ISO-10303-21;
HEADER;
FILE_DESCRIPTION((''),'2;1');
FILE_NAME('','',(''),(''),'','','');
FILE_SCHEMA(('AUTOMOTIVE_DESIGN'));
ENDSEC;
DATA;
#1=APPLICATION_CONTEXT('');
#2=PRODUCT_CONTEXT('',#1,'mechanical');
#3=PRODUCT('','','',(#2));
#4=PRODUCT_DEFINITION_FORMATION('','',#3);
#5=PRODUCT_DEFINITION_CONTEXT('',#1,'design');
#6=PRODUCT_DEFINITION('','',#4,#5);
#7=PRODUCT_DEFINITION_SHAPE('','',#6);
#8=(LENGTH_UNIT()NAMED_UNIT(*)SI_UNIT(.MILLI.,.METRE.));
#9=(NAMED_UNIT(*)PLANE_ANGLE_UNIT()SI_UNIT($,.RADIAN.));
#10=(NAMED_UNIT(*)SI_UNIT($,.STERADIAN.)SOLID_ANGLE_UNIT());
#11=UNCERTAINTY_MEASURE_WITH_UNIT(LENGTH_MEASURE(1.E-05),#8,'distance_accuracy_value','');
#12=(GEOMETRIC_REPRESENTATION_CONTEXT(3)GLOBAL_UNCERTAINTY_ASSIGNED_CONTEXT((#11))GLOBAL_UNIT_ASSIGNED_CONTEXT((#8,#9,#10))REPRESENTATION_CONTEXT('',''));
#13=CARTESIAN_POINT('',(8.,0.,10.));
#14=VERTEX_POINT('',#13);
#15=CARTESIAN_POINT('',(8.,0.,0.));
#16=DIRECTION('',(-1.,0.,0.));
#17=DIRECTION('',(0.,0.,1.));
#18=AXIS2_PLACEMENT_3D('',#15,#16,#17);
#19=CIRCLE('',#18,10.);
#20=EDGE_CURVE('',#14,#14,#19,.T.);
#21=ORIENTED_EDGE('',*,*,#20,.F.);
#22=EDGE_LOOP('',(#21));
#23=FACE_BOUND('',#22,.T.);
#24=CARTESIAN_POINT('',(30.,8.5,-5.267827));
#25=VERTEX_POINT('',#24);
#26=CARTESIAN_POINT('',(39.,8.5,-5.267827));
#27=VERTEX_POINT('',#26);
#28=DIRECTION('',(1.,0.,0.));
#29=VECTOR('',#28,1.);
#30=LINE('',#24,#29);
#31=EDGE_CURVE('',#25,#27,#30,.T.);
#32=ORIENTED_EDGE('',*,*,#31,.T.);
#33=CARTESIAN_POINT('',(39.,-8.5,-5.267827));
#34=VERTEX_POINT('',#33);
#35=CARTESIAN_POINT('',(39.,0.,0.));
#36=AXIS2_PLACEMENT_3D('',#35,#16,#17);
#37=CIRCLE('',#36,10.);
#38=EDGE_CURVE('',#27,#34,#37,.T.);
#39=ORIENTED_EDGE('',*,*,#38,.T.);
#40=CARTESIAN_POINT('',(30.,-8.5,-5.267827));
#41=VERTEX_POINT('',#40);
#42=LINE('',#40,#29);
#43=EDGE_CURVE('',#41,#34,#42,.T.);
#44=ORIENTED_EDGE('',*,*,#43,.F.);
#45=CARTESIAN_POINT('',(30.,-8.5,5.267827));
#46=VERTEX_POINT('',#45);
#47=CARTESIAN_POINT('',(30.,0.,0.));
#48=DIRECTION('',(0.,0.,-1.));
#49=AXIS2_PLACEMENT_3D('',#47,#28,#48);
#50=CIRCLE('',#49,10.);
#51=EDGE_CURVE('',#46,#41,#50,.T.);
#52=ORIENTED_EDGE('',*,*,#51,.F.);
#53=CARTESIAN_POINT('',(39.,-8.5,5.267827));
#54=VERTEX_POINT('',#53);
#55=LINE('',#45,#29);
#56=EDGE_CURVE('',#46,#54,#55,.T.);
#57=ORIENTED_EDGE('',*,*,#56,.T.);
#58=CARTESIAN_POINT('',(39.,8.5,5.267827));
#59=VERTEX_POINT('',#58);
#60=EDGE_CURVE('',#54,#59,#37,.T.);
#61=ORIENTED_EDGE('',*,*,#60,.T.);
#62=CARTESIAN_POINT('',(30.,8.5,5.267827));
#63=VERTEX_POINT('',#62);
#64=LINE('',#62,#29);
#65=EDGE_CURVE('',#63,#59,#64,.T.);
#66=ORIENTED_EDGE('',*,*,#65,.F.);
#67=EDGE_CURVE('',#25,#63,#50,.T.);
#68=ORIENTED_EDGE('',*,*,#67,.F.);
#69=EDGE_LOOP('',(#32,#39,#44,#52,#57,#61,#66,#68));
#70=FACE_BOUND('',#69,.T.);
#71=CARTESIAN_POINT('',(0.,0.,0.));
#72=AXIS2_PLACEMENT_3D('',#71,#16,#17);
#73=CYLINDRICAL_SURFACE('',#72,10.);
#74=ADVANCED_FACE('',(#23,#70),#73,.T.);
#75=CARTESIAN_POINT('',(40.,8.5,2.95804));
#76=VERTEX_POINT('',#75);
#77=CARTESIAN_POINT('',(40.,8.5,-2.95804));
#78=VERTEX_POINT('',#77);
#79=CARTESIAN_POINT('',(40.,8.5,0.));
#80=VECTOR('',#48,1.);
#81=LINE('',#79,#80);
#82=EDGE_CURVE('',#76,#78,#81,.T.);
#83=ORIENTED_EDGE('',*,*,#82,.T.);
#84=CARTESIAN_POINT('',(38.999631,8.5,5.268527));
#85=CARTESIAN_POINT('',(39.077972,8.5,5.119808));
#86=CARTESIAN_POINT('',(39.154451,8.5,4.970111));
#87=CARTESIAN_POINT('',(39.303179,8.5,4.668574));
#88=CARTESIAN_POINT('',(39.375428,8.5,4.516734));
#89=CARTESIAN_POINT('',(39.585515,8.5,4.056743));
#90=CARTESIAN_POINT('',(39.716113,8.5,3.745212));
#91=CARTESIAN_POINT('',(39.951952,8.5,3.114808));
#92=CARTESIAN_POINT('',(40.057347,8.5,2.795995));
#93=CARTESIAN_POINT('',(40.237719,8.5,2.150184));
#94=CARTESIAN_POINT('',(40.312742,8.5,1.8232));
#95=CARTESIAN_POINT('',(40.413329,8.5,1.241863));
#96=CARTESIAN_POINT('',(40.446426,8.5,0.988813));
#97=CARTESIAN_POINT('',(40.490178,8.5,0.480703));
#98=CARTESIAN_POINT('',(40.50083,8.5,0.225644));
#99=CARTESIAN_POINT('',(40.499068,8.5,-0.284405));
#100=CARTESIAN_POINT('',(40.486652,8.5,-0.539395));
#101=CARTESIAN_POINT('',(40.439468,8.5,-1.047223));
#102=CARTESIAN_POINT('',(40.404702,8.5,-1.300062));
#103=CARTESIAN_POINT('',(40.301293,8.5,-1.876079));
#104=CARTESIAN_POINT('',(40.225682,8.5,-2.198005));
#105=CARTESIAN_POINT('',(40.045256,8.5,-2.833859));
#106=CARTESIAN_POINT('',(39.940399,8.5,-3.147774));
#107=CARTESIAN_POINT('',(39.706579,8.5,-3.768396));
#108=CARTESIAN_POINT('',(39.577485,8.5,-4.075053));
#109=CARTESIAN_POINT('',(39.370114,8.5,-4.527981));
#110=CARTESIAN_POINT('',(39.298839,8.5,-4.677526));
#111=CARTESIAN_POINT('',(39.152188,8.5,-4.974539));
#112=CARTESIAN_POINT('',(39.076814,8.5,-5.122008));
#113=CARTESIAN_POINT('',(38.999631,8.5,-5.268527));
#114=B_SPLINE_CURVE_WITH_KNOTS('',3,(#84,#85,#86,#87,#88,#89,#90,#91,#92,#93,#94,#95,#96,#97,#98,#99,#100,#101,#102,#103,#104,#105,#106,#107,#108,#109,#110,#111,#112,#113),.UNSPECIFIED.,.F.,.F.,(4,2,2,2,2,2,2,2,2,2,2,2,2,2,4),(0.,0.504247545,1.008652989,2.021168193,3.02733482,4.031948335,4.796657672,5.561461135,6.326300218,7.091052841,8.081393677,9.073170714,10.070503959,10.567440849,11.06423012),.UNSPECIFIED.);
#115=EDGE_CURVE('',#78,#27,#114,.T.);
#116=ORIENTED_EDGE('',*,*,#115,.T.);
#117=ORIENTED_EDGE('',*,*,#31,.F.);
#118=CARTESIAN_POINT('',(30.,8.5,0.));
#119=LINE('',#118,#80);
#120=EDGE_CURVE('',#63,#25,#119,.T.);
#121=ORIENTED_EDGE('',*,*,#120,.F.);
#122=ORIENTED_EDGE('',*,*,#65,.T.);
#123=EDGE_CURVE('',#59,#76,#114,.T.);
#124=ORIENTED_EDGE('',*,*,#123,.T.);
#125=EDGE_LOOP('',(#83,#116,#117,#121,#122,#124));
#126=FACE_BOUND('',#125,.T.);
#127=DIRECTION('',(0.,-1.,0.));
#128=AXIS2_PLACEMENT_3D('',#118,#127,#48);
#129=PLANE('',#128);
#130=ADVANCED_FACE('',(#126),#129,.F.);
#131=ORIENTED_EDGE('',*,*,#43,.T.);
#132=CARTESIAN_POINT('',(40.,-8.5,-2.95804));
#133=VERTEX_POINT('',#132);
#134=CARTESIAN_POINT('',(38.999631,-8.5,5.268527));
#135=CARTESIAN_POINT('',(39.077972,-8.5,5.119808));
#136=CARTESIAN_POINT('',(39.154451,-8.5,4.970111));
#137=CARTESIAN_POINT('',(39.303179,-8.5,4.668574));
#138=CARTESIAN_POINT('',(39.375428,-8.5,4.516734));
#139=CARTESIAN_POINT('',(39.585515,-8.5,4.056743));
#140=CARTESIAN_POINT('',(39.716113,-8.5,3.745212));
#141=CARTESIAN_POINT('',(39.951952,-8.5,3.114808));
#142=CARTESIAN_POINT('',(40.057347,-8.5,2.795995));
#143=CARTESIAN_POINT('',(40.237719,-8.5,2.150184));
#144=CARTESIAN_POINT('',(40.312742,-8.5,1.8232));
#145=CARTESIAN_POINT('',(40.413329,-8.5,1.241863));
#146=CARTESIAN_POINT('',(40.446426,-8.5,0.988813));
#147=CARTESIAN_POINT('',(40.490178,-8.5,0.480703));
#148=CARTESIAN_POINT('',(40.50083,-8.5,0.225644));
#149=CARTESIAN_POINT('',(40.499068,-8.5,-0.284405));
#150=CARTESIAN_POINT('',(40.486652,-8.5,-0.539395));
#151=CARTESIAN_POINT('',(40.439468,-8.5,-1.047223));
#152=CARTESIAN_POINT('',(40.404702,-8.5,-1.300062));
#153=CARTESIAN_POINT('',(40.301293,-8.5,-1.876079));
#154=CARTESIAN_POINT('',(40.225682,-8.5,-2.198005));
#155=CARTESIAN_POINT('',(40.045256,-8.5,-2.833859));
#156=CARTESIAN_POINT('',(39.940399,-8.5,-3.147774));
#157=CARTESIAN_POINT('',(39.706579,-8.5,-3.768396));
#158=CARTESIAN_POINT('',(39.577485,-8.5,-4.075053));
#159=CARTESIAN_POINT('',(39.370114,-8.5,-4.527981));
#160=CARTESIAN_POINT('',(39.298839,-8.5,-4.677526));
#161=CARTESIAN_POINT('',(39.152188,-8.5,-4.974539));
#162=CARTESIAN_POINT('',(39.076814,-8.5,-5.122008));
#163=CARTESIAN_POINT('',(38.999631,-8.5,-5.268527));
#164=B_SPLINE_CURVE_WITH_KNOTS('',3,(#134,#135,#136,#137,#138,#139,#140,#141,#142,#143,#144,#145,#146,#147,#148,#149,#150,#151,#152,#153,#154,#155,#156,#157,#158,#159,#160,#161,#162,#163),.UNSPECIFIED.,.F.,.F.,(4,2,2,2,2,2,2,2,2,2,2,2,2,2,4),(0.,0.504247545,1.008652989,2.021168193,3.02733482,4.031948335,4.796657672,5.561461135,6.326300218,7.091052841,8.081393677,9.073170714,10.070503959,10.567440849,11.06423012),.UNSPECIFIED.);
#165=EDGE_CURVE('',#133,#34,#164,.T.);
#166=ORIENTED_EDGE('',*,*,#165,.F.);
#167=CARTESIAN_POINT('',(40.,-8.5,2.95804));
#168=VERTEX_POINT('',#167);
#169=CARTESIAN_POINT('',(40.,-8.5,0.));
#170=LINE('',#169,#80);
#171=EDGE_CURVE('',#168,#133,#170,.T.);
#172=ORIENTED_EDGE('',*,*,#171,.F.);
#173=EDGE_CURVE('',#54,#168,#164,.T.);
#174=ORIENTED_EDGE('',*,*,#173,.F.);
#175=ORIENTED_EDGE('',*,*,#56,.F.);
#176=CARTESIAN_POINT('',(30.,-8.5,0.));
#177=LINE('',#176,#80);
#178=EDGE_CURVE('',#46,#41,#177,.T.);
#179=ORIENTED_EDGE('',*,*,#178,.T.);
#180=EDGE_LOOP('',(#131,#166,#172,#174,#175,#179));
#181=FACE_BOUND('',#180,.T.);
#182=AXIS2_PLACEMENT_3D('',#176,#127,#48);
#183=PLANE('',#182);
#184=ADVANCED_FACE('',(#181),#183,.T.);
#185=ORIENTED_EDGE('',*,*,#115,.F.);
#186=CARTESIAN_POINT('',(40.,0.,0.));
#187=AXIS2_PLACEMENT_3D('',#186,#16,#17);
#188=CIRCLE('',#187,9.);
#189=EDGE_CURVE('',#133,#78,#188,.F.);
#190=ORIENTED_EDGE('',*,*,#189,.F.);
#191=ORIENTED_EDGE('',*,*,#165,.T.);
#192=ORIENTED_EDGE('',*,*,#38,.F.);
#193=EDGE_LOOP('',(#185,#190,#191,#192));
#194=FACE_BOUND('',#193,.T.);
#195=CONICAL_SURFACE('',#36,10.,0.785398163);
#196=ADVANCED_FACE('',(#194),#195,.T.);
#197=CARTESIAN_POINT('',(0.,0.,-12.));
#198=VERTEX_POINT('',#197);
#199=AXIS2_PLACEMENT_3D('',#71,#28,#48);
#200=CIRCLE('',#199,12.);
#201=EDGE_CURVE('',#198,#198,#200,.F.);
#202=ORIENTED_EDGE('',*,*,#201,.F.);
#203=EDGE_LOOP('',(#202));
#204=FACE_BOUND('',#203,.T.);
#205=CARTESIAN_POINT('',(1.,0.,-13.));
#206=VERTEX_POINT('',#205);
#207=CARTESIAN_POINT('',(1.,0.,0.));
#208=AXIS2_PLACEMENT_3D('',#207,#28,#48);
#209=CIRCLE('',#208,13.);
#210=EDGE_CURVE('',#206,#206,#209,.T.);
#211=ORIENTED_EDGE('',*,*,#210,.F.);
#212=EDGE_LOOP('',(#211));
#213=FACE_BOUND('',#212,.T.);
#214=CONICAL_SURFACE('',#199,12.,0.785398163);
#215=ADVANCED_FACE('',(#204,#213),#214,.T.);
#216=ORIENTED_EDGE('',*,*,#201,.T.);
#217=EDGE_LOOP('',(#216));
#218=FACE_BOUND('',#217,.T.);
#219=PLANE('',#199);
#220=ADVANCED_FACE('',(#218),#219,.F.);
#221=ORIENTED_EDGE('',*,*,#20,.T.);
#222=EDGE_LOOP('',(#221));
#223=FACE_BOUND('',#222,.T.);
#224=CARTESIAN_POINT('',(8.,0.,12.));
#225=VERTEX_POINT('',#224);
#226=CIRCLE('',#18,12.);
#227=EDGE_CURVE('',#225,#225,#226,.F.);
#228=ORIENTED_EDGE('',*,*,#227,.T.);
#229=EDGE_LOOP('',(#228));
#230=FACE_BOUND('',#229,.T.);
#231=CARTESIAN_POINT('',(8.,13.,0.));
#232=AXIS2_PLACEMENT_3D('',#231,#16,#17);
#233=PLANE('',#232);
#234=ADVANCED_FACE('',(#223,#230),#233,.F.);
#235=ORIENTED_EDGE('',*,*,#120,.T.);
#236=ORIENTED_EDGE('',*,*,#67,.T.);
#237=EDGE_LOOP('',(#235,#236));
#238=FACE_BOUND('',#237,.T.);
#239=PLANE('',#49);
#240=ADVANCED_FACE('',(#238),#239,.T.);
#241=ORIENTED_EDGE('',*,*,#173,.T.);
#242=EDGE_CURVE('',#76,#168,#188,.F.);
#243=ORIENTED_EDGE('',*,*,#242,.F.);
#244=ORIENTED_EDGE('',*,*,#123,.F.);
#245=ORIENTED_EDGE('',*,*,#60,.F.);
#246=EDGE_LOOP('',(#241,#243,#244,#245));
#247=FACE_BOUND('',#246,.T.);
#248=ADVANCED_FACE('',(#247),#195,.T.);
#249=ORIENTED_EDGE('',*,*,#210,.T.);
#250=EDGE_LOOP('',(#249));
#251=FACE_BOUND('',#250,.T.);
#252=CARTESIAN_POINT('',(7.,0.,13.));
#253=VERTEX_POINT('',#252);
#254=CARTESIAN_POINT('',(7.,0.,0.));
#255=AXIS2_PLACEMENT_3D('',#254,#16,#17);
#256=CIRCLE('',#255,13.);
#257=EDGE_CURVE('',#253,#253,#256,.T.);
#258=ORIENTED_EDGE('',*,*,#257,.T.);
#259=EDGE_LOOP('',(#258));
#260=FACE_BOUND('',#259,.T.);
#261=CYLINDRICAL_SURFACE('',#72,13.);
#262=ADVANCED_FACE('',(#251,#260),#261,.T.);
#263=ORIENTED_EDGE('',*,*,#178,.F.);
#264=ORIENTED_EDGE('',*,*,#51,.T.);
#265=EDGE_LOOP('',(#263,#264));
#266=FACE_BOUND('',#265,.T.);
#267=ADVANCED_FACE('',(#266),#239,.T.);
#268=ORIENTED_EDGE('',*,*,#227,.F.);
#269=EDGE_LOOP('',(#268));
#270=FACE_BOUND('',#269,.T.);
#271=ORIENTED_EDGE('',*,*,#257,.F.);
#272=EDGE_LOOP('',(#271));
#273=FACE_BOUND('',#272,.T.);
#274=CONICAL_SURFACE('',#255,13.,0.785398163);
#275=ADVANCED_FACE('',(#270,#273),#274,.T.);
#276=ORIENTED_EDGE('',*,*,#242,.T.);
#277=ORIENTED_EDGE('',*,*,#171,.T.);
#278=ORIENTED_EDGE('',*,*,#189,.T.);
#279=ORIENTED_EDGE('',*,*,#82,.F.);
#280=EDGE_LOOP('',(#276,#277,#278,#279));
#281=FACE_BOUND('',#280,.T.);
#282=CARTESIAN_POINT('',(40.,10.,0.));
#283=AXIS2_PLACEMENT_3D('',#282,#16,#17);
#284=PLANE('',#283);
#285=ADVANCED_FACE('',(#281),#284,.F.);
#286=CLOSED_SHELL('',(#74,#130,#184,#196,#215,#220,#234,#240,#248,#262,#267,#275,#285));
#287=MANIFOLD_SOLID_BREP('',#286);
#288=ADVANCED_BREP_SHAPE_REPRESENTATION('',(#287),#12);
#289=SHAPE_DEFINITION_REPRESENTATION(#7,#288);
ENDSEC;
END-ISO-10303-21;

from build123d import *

# Parameters (mm, degrees)
CHAMFER1_SIZE      = 1
CUT_EXTRUDE1_DEPTH = 10


with BuildPart() as part:
    # Sketch1 → Revolve1 (revolve)
    with BuildSketch(Plane.XY, mode=Mode.PRIVATE) as revolve1_sk:
        Polygon((0, 0), (0, 13), (8, 13), (8, 10), (40, 10), (40, 0), align=None)
    revolve(revolve1_sk.sketch.rotate(Axis((0, 0, 0), (1, 0, 0)), 90), axis=Axis((0, 0, 0), (1, 0, 0)))

    # Chamfer1
    chamfer1_edges = [part.edges().sort_by_distance(p)[0] for p in [
        (40, 0, -10),
        (8, 0, -13),
        (0, 0, -13),
    ]]
    chamfer(chamfer1_edges, length=CHAMFER1_SIZE)

    # Sketch2 → Cut-Extrude1 (cut)
    with BuildSketch(Plane(origin=(40, 0, 0), x_dir=(0, 0, -1), z_dir=(1, 0, 0))):
        with BuildLine():
            ThreePointArc((5.267826876, 8.5), (0, 10), (-5.267826876, 8.5))
            Line((-5.267826876, 8.5), (-2.958039892, 8.5))
            ThreePointArc((-2.958039892, 8.5), (0, 9), (2.958039892, 8.5))
            Line((2.958039892, 8.5), (5.267826876, 8.5))
        make_face()
        with BuildLine():
            ThreePointArc((2.958039892, 8.5), (0, 9), (-2.958039892, 8.5))
            Line((-2.958039892, 8.5), (2.958039892, 8.5))
        make_face()
        with BuildLine():
            Line((-2.958039892, -8.5), (-5.267826876, -8.5))
            ThreePointArc((-5.267826876, -8.5), (0, -10), (5.267826876, -8.5))
            Line((5.267826876, -8.5), (2.958039892, -8.5))
            ThreePointArc((2.958039892, -8.5), (0, -9), (-2.958039892, -8.5))
        make_face()
        with BuildLine():
            Line((2.958039892, -8.5), (-2.958039892, -8.5))
            ThreePointArc((-2.958039892, -8.5), (0, -9), (2.958039892, -8.5))
        make_face()
    extrude(amount=-CUT_EXTRUDE1_DEPTH, mode=Mode.SUBTRACT)


solid = part.part
